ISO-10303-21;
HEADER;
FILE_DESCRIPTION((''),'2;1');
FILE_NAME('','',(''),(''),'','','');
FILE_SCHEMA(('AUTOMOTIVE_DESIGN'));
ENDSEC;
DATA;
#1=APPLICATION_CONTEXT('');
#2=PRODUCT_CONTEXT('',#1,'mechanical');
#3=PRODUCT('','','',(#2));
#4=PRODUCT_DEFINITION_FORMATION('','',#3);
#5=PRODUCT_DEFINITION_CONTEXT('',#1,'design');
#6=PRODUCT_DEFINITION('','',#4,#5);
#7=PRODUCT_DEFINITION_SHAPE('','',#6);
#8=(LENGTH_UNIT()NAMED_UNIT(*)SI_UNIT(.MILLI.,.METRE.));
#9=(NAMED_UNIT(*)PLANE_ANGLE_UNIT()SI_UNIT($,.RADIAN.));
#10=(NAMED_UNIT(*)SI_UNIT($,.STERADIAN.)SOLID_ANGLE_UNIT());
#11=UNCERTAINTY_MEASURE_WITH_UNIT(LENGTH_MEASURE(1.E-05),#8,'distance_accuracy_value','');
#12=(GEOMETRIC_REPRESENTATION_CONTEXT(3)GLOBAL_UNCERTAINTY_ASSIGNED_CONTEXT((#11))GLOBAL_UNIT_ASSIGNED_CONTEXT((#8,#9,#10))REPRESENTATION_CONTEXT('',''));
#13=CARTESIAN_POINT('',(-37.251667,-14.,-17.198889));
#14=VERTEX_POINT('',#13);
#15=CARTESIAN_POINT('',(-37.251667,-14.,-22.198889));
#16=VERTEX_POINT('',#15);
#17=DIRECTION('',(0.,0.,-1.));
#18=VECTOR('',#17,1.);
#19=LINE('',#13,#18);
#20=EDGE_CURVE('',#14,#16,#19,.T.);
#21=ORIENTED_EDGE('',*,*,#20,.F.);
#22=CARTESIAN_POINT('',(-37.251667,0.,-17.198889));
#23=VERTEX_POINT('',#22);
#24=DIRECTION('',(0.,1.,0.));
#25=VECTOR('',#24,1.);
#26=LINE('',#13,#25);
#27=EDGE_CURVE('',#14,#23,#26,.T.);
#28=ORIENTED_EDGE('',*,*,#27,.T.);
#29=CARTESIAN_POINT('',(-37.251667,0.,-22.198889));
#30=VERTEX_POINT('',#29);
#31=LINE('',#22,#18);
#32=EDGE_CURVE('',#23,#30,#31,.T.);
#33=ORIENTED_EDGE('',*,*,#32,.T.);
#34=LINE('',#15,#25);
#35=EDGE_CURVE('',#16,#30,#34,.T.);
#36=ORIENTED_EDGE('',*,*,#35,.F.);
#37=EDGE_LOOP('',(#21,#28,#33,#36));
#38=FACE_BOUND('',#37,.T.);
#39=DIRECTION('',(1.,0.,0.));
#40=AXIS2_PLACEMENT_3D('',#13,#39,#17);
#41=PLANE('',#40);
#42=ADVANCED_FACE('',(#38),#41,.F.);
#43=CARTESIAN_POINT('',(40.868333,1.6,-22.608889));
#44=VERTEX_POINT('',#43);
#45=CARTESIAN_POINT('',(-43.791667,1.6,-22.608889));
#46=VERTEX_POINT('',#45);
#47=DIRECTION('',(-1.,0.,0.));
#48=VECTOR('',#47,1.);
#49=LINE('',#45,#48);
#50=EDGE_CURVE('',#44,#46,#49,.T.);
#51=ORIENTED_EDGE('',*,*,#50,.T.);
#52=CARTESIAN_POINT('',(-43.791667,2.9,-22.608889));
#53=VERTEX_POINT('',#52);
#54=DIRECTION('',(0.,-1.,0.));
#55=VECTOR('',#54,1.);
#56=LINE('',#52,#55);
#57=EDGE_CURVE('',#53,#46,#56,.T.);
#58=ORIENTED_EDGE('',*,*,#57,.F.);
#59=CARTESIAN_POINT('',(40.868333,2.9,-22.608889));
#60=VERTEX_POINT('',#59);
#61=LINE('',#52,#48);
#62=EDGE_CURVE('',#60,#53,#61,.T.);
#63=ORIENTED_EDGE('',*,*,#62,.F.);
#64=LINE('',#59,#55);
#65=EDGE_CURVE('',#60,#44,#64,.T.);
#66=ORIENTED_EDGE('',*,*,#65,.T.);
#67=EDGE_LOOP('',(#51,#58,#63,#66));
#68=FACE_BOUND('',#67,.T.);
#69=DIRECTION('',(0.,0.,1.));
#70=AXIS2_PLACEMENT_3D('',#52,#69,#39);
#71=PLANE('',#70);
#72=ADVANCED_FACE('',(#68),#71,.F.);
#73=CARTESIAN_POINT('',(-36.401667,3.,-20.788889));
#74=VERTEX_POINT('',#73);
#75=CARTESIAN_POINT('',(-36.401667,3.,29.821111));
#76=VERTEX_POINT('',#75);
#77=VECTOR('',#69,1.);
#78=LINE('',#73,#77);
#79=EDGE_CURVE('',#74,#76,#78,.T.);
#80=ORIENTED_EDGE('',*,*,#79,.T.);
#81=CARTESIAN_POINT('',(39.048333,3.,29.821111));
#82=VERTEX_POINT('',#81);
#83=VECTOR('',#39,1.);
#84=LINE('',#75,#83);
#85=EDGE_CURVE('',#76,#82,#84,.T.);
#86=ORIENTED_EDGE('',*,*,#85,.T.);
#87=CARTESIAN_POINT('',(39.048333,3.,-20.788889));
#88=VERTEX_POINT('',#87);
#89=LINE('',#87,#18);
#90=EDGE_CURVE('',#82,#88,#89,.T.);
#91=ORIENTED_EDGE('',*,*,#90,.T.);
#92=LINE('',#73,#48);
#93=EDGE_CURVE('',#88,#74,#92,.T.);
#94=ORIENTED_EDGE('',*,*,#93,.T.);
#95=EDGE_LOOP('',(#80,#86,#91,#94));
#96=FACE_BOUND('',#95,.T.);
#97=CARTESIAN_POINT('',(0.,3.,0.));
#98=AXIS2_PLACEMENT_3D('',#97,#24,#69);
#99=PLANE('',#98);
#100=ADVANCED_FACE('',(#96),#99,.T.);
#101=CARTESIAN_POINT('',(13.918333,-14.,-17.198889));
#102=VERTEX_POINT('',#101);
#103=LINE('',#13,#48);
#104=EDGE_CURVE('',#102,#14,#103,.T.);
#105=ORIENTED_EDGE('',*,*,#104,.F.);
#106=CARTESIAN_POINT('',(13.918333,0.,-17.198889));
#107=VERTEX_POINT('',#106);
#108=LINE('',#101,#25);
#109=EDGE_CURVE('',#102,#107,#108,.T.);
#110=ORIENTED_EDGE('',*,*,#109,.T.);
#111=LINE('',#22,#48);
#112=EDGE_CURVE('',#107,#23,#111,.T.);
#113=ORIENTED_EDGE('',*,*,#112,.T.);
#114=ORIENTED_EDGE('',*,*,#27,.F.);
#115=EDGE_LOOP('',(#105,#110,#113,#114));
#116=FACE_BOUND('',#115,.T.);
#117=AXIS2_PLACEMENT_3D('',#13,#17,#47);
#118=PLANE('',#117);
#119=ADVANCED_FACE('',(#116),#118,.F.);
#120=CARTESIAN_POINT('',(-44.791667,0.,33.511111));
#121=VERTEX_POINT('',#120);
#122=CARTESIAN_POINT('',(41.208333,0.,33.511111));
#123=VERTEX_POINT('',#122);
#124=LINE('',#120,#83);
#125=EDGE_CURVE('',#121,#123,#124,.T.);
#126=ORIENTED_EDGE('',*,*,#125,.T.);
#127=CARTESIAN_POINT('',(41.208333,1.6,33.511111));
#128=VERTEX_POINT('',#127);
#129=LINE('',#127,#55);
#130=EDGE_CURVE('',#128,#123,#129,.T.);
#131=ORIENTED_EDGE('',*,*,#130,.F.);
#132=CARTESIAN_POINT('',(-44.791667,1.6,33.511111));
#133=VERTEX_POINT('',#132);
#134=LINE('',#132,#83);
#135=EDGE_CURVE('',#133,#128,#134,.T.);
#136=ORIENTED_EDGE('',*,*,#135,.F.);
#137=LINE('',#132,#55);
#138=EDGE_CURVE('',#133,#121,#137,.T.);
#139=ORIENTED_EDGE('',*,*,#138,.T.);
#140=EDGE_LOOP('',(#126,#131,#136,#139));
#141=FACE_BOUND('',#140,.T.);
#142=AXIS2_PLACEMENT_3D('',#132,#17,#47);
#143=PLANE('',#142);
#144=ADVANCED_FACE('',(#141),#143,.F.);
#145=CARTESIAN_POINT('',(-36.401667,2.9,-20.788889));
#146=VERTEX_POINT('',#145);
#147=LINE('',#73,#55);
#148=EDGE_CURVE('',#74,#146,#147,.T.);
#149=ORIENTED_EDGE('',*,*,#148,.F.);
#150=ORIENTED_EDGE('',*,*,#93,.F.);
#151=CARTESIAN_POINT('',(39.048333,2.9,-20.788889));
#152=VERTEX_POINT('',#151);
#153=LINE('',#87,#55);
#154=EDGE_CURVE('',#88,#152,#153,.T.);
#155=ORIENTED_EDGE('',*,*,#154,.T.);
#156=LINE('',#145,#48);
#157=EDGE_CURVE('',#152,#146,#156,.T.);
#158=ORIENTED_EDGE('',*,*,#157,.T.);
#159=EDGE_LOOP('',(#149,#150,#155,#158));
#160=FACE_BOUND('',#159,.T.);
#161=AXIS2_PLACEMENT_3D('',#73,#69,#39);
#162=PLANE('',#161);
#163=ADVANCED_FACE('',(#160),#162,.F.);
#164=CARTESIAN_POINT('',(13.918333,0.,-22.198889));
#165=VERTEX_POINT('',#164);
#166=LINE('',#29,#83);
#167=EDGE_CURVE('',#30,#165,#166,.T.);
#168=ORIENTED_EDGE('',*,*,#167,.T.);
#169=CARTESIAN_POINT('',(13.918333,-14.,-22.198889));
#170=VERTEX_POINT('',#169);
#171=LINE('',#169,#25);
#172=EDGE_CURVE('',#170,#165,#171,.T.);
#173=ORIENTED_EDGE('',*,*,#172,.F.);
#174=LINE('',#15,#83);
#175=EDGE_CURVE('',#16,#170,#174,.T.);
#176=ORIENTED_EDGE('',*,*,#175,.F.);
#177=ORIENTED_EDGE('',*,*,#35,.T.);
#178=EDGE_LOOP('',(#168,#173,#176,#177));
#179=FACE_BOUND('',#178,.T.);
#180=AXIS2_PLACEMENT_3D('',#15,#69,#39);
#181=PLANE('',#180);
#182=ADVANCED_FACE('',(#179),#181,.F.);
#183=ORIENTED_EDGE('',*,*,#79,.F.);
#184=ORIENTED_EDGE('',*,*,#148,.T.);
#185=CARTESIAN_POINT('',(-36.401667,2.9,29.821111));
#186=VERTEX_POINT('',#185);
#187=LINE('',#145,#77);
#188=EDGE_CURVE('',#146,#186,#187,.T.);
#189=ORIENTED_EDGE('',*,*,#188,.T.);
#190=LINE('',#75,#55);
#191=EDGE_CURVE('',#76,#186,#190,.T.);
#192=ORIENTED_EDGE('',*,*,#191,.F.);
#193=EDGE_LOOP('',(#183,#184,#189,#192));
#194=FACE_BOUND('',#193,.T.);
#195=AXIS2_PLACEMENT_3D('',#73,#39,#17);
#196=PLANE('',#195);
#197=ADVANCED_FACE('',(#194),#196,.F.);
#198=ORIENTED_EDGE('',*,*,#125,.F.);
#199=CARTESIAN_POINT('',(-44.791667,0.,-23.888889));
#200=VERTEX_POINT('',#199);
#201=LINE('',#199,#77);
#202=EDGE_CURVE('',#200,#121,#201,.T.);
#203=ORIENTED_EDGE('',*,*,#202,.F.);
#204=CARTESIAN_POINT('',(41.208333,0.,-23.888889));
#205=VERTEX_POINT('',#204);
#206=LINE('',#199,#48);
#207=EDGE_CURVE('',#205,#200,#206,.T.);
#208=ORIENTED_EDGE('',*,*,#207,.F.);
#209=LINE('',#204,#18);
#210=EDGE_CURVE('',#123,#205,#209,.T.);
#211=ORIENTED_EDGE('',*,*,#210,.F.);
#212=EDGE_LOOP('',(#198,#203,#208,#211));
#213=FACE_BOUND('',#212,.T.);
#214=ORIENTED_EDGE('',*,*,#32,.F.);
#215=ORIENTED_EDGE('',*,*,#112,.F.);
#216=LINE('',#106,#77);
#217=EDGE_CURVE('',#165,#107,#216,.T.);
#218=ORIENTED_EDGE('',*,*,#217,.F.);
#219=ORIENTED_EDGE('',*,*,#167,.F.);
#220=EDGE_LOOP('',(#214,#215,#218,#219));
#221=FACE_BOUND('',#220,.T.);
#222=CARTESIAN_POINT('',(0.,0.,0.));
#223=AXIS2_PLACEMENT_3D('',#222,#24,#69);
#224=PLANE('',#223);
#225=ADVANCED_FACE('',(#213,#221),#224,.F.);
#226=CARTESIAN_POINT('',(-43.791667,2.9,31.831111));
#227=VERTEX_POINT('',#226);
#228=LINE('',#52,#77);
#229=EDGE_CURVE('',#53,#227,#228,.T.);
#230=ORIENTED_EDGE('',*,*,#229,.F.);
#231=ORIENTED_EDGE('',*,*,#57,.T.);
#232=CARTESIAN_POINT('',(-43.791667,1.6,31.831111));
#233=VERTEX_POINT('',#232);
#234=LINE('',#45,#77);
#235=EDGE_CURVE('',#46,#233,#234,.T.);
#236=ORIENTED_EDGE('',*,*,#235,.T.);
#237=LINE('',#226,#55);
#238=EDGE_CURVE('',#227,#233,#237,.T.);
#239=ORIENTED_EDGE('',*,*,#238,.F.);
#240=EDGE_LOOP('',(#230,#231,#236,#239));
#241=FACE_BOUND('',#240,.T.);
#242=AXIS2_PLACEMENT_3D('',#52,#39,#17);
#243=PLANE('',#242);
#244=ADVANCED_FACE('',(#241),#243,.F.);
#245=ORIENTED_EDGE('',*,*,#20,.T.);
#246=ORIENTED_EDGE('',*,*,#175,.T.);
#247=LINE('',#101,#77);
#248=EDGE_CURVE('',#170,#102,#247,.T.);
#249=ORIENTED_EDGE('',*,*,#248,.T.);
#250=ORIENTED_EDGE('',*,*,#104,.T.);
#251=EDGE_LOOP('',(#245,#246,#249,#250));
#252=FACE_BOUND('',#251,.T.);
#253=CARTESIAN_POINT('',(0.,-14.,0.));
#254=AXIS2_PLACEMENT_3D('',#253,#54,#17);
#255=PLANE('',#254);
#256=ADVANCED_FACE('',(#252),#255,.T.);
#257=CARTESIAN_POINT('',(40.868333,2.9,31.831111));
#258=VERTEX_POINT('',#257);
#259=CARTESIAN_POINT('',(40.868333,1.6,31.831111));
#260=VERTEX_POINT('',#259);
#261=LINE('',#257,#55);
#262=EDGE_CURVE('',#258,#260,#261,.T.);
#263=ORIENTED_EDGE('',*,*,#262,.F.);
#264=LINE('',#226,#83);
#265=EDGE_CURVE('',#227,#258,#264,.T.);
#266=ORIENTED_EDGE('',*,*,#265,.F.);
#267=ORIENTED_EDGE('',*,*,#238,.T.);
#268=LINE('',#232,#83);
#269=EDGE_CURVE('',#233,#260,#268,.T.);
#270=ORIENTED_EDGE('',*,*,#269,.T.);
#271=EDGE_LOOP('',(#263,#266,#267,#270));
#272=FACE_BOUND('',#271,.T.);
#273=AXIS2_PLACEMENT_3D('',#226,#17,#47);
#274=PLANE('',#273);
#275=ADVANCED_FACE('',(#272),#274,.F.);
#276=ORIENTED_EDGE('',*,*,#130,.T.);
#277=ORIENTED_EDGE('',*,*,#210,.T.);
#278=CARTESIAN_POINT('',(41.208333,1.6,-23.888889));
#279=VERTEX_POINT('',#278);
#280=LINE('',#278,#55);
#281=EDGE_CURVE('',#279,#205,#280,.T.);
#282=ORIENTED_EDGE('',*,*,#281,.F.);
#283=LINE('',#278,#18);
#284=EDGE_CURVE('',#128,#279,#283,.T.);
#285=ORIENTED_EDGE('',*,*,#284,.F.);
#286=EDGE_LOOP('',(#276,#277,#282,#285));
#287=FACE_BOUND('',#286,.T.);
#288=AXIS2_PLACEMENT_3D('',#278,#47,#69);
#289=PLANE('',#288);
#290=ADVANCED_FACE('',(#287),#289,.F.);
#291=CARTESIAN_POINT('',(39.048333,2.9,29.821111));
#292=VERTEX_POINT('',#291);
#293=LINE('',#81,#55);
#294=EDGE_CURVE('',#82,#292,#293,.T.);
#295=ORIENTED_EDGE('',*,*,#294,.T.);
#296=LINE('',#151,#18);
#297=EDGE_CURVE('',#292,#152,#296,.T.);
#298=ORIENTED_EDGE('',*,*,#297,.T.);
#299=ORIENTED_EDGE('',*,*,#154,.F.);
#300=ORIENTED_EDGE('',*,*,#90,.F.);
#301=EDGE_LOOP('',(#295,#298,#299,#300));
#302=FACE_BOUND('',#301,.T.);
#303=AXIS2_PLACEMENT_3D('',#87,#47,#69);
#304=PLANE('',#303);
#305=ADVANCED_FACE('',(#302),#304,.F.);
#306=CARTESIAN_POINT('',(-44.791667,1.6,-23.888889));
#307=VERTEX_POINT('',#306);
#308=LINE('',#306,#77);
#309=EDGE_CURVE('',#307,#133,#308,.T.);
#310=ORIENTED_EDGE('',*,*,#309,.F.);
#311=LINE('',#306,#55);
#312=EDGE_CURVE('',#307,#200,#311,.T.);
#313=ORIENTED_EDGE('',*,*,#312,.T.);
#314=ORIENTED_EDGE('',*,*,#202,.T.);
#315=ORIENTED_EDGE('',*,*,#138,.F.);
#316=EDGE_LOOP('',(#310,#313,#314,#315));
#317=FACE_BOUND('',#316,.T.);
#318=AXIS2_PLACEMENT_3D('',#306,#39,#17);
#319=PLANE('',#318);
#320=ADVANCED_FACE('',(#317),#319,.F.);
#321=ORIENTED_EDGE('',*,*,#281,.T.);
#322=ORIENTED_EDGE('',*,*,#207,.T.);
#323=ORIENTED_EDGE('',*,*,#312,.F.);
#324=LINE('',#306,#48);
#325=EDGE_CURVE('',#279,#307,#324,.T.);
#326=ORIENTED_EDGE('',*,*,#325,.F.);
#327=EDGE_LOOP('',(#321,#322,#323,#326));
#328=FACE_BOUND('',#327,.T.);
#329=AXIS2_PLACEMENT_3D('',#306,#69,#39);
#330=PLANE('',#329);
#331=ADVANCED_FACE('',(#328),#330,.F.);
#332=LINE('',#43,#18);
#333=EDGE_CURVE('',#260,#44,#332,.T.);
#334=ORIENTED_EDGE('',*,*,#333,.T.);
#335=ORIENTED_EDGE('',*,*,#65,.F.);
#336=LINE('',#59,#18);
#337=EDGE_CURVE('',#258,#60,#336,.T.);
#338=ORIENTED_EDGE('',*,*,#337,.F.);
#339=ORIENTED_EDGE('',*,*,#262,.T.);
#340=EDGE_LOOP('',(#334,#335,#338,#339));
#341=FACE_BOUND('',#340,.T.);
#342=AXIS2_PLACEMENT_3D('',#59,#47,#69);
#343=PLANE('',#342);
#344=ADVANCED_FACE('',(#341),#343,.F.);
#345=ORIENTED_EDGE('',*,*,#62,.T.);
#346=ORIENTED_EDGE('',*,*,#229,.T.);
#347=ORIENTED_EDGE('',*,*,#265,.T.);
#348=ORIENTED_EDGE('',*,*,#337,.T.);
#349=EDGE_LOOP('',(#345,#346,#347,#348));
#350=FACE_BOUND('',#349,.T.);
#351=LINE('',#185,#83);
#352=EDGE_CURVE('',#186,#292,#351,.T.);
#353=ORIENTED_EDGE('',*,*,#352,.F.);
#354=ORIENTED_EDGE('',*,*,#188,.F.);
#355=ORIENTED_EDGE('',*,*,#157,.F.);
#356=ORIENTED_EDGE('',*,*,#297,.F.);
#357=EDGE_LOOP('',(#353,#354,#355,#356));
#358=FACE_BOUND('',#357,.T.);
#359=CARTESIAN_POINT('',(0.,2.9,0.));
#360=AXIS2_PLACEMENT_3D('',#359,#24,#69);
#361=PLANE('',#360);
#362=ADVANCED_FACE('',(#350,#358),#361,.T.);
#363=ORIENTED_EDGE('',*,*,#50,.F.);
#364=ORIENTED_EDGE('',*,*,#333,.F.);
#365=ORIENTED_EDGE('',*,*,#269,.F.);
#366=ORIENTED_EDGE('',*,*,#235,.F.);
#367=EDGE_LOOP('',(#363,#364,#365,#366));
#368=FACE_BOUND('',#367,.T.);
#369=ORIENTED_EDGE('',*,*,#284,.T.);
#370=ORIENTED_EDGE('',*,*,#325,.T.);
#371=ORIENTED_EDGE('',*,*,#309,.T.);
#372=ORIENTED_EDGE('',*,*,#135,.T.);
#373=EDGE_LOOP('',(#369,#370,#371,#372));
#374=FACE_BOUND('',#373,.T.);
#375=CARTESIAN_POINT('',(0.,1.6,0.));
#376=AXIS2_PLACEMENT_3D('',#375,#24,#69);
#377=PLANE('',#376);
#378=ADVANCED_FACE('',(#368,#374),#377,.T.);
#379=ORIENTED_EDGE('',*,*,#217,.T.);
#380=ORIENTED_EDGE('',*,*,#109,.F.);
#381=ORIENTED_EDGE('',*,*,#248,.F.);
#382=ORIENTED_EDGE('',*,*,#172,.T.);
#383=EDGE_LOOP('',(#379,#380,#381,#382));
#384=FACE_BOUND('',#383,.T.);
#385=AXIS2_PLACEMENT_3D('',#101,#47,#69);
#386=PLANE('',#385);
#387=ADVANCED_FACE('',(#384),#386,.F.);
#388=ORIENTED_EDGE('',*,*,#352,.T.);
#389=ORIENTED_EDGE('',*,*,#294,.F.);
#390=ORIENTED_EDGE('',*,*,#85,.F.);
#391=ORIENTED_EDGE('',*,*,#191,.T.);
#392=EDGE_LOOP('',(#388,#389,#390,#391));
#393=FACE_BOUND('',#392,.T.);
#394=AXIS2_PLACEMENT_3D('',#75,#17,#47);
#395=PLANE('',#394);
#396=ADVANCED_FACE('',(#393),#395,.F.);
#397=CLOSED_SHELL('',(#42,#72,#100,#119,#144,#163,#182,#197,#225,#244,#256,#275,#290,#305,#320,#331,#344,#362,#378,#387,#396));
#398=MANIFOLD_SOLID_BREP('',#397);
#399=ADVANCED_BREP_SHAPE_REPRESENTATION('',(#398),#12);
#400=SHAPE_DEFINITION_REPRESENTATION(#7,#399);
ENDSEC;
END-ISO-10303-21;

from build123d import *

# Parameters (mm, degrees)
SKETCH_1_W      = 86
SKETCH_1_H      = 57.4
EXTRUDE_1_DEPTH = 1.6
SKETCH_2_W      = 84.66
SKETCH_2_H      = 54.44
EXTRUDE_2_DEPTH = 1.3
SKETCH_3_W      = 75.45
SKETCH_3_H      = 50.61
EXTRUDE_3_DEPTH = 0.1
SKETCH_4_W      = 51.17
SKETCH_4_H      = 5
EXTRUDE_4_DEPTH = 14


with BuildPart() as part:
    # 草图1 → 凸台-拉伸1 (new body)
    with BuildSketch(Plane(origin=(0, 0, 0), x_dir=(1, 0, 0), z_dir=(0, 1, 0))):
        with Locations((-1.791666667, -4.811111111)):
            Rectangle(SKETCH_1_W, SKETCH_1_H)
    extrude(amount=EXTRUDE_1_DEPTH)

    # 草图2 → 凸台-拉伸2 (add)
    with BuildSketch(Plane(origin=(0, 1.6, 0), x_dir=(1, 0, 0), z_dir=(0, 1, 0))):
        with Locations((-1.461666667, -4.611111111)):
            Rectangle(SKETCH_2_W, SKETCH_2_H)
    extrude(amount=EXTRUDE_2_DEPTH)

    # 草图3 → 凸台-拉伸3 (add)
    with BuildSketch(Plane(origin=(0, 2.9, 0), x_dir=(1, 0, 0), z_dir=(0, 1, 0))):
        with Locations((1.323333333, -4.516111111)):
            Rectangle(SKETCH_3_W, SKETCH_3_H)
    extrude(amount=EXTRUDE_3_DEPTH)

    # 草图4 → 凸台-拉伸4 (add)
    with BuildSketch(Plane.XZ):
        with Locations((-11.666666667, -19.698888889)):
            Rectangle(SKETCH_4_W, SKETCH_4_H)
    extrude(amount=EXTRUDE_4_DEPTH)


solid = part.part
